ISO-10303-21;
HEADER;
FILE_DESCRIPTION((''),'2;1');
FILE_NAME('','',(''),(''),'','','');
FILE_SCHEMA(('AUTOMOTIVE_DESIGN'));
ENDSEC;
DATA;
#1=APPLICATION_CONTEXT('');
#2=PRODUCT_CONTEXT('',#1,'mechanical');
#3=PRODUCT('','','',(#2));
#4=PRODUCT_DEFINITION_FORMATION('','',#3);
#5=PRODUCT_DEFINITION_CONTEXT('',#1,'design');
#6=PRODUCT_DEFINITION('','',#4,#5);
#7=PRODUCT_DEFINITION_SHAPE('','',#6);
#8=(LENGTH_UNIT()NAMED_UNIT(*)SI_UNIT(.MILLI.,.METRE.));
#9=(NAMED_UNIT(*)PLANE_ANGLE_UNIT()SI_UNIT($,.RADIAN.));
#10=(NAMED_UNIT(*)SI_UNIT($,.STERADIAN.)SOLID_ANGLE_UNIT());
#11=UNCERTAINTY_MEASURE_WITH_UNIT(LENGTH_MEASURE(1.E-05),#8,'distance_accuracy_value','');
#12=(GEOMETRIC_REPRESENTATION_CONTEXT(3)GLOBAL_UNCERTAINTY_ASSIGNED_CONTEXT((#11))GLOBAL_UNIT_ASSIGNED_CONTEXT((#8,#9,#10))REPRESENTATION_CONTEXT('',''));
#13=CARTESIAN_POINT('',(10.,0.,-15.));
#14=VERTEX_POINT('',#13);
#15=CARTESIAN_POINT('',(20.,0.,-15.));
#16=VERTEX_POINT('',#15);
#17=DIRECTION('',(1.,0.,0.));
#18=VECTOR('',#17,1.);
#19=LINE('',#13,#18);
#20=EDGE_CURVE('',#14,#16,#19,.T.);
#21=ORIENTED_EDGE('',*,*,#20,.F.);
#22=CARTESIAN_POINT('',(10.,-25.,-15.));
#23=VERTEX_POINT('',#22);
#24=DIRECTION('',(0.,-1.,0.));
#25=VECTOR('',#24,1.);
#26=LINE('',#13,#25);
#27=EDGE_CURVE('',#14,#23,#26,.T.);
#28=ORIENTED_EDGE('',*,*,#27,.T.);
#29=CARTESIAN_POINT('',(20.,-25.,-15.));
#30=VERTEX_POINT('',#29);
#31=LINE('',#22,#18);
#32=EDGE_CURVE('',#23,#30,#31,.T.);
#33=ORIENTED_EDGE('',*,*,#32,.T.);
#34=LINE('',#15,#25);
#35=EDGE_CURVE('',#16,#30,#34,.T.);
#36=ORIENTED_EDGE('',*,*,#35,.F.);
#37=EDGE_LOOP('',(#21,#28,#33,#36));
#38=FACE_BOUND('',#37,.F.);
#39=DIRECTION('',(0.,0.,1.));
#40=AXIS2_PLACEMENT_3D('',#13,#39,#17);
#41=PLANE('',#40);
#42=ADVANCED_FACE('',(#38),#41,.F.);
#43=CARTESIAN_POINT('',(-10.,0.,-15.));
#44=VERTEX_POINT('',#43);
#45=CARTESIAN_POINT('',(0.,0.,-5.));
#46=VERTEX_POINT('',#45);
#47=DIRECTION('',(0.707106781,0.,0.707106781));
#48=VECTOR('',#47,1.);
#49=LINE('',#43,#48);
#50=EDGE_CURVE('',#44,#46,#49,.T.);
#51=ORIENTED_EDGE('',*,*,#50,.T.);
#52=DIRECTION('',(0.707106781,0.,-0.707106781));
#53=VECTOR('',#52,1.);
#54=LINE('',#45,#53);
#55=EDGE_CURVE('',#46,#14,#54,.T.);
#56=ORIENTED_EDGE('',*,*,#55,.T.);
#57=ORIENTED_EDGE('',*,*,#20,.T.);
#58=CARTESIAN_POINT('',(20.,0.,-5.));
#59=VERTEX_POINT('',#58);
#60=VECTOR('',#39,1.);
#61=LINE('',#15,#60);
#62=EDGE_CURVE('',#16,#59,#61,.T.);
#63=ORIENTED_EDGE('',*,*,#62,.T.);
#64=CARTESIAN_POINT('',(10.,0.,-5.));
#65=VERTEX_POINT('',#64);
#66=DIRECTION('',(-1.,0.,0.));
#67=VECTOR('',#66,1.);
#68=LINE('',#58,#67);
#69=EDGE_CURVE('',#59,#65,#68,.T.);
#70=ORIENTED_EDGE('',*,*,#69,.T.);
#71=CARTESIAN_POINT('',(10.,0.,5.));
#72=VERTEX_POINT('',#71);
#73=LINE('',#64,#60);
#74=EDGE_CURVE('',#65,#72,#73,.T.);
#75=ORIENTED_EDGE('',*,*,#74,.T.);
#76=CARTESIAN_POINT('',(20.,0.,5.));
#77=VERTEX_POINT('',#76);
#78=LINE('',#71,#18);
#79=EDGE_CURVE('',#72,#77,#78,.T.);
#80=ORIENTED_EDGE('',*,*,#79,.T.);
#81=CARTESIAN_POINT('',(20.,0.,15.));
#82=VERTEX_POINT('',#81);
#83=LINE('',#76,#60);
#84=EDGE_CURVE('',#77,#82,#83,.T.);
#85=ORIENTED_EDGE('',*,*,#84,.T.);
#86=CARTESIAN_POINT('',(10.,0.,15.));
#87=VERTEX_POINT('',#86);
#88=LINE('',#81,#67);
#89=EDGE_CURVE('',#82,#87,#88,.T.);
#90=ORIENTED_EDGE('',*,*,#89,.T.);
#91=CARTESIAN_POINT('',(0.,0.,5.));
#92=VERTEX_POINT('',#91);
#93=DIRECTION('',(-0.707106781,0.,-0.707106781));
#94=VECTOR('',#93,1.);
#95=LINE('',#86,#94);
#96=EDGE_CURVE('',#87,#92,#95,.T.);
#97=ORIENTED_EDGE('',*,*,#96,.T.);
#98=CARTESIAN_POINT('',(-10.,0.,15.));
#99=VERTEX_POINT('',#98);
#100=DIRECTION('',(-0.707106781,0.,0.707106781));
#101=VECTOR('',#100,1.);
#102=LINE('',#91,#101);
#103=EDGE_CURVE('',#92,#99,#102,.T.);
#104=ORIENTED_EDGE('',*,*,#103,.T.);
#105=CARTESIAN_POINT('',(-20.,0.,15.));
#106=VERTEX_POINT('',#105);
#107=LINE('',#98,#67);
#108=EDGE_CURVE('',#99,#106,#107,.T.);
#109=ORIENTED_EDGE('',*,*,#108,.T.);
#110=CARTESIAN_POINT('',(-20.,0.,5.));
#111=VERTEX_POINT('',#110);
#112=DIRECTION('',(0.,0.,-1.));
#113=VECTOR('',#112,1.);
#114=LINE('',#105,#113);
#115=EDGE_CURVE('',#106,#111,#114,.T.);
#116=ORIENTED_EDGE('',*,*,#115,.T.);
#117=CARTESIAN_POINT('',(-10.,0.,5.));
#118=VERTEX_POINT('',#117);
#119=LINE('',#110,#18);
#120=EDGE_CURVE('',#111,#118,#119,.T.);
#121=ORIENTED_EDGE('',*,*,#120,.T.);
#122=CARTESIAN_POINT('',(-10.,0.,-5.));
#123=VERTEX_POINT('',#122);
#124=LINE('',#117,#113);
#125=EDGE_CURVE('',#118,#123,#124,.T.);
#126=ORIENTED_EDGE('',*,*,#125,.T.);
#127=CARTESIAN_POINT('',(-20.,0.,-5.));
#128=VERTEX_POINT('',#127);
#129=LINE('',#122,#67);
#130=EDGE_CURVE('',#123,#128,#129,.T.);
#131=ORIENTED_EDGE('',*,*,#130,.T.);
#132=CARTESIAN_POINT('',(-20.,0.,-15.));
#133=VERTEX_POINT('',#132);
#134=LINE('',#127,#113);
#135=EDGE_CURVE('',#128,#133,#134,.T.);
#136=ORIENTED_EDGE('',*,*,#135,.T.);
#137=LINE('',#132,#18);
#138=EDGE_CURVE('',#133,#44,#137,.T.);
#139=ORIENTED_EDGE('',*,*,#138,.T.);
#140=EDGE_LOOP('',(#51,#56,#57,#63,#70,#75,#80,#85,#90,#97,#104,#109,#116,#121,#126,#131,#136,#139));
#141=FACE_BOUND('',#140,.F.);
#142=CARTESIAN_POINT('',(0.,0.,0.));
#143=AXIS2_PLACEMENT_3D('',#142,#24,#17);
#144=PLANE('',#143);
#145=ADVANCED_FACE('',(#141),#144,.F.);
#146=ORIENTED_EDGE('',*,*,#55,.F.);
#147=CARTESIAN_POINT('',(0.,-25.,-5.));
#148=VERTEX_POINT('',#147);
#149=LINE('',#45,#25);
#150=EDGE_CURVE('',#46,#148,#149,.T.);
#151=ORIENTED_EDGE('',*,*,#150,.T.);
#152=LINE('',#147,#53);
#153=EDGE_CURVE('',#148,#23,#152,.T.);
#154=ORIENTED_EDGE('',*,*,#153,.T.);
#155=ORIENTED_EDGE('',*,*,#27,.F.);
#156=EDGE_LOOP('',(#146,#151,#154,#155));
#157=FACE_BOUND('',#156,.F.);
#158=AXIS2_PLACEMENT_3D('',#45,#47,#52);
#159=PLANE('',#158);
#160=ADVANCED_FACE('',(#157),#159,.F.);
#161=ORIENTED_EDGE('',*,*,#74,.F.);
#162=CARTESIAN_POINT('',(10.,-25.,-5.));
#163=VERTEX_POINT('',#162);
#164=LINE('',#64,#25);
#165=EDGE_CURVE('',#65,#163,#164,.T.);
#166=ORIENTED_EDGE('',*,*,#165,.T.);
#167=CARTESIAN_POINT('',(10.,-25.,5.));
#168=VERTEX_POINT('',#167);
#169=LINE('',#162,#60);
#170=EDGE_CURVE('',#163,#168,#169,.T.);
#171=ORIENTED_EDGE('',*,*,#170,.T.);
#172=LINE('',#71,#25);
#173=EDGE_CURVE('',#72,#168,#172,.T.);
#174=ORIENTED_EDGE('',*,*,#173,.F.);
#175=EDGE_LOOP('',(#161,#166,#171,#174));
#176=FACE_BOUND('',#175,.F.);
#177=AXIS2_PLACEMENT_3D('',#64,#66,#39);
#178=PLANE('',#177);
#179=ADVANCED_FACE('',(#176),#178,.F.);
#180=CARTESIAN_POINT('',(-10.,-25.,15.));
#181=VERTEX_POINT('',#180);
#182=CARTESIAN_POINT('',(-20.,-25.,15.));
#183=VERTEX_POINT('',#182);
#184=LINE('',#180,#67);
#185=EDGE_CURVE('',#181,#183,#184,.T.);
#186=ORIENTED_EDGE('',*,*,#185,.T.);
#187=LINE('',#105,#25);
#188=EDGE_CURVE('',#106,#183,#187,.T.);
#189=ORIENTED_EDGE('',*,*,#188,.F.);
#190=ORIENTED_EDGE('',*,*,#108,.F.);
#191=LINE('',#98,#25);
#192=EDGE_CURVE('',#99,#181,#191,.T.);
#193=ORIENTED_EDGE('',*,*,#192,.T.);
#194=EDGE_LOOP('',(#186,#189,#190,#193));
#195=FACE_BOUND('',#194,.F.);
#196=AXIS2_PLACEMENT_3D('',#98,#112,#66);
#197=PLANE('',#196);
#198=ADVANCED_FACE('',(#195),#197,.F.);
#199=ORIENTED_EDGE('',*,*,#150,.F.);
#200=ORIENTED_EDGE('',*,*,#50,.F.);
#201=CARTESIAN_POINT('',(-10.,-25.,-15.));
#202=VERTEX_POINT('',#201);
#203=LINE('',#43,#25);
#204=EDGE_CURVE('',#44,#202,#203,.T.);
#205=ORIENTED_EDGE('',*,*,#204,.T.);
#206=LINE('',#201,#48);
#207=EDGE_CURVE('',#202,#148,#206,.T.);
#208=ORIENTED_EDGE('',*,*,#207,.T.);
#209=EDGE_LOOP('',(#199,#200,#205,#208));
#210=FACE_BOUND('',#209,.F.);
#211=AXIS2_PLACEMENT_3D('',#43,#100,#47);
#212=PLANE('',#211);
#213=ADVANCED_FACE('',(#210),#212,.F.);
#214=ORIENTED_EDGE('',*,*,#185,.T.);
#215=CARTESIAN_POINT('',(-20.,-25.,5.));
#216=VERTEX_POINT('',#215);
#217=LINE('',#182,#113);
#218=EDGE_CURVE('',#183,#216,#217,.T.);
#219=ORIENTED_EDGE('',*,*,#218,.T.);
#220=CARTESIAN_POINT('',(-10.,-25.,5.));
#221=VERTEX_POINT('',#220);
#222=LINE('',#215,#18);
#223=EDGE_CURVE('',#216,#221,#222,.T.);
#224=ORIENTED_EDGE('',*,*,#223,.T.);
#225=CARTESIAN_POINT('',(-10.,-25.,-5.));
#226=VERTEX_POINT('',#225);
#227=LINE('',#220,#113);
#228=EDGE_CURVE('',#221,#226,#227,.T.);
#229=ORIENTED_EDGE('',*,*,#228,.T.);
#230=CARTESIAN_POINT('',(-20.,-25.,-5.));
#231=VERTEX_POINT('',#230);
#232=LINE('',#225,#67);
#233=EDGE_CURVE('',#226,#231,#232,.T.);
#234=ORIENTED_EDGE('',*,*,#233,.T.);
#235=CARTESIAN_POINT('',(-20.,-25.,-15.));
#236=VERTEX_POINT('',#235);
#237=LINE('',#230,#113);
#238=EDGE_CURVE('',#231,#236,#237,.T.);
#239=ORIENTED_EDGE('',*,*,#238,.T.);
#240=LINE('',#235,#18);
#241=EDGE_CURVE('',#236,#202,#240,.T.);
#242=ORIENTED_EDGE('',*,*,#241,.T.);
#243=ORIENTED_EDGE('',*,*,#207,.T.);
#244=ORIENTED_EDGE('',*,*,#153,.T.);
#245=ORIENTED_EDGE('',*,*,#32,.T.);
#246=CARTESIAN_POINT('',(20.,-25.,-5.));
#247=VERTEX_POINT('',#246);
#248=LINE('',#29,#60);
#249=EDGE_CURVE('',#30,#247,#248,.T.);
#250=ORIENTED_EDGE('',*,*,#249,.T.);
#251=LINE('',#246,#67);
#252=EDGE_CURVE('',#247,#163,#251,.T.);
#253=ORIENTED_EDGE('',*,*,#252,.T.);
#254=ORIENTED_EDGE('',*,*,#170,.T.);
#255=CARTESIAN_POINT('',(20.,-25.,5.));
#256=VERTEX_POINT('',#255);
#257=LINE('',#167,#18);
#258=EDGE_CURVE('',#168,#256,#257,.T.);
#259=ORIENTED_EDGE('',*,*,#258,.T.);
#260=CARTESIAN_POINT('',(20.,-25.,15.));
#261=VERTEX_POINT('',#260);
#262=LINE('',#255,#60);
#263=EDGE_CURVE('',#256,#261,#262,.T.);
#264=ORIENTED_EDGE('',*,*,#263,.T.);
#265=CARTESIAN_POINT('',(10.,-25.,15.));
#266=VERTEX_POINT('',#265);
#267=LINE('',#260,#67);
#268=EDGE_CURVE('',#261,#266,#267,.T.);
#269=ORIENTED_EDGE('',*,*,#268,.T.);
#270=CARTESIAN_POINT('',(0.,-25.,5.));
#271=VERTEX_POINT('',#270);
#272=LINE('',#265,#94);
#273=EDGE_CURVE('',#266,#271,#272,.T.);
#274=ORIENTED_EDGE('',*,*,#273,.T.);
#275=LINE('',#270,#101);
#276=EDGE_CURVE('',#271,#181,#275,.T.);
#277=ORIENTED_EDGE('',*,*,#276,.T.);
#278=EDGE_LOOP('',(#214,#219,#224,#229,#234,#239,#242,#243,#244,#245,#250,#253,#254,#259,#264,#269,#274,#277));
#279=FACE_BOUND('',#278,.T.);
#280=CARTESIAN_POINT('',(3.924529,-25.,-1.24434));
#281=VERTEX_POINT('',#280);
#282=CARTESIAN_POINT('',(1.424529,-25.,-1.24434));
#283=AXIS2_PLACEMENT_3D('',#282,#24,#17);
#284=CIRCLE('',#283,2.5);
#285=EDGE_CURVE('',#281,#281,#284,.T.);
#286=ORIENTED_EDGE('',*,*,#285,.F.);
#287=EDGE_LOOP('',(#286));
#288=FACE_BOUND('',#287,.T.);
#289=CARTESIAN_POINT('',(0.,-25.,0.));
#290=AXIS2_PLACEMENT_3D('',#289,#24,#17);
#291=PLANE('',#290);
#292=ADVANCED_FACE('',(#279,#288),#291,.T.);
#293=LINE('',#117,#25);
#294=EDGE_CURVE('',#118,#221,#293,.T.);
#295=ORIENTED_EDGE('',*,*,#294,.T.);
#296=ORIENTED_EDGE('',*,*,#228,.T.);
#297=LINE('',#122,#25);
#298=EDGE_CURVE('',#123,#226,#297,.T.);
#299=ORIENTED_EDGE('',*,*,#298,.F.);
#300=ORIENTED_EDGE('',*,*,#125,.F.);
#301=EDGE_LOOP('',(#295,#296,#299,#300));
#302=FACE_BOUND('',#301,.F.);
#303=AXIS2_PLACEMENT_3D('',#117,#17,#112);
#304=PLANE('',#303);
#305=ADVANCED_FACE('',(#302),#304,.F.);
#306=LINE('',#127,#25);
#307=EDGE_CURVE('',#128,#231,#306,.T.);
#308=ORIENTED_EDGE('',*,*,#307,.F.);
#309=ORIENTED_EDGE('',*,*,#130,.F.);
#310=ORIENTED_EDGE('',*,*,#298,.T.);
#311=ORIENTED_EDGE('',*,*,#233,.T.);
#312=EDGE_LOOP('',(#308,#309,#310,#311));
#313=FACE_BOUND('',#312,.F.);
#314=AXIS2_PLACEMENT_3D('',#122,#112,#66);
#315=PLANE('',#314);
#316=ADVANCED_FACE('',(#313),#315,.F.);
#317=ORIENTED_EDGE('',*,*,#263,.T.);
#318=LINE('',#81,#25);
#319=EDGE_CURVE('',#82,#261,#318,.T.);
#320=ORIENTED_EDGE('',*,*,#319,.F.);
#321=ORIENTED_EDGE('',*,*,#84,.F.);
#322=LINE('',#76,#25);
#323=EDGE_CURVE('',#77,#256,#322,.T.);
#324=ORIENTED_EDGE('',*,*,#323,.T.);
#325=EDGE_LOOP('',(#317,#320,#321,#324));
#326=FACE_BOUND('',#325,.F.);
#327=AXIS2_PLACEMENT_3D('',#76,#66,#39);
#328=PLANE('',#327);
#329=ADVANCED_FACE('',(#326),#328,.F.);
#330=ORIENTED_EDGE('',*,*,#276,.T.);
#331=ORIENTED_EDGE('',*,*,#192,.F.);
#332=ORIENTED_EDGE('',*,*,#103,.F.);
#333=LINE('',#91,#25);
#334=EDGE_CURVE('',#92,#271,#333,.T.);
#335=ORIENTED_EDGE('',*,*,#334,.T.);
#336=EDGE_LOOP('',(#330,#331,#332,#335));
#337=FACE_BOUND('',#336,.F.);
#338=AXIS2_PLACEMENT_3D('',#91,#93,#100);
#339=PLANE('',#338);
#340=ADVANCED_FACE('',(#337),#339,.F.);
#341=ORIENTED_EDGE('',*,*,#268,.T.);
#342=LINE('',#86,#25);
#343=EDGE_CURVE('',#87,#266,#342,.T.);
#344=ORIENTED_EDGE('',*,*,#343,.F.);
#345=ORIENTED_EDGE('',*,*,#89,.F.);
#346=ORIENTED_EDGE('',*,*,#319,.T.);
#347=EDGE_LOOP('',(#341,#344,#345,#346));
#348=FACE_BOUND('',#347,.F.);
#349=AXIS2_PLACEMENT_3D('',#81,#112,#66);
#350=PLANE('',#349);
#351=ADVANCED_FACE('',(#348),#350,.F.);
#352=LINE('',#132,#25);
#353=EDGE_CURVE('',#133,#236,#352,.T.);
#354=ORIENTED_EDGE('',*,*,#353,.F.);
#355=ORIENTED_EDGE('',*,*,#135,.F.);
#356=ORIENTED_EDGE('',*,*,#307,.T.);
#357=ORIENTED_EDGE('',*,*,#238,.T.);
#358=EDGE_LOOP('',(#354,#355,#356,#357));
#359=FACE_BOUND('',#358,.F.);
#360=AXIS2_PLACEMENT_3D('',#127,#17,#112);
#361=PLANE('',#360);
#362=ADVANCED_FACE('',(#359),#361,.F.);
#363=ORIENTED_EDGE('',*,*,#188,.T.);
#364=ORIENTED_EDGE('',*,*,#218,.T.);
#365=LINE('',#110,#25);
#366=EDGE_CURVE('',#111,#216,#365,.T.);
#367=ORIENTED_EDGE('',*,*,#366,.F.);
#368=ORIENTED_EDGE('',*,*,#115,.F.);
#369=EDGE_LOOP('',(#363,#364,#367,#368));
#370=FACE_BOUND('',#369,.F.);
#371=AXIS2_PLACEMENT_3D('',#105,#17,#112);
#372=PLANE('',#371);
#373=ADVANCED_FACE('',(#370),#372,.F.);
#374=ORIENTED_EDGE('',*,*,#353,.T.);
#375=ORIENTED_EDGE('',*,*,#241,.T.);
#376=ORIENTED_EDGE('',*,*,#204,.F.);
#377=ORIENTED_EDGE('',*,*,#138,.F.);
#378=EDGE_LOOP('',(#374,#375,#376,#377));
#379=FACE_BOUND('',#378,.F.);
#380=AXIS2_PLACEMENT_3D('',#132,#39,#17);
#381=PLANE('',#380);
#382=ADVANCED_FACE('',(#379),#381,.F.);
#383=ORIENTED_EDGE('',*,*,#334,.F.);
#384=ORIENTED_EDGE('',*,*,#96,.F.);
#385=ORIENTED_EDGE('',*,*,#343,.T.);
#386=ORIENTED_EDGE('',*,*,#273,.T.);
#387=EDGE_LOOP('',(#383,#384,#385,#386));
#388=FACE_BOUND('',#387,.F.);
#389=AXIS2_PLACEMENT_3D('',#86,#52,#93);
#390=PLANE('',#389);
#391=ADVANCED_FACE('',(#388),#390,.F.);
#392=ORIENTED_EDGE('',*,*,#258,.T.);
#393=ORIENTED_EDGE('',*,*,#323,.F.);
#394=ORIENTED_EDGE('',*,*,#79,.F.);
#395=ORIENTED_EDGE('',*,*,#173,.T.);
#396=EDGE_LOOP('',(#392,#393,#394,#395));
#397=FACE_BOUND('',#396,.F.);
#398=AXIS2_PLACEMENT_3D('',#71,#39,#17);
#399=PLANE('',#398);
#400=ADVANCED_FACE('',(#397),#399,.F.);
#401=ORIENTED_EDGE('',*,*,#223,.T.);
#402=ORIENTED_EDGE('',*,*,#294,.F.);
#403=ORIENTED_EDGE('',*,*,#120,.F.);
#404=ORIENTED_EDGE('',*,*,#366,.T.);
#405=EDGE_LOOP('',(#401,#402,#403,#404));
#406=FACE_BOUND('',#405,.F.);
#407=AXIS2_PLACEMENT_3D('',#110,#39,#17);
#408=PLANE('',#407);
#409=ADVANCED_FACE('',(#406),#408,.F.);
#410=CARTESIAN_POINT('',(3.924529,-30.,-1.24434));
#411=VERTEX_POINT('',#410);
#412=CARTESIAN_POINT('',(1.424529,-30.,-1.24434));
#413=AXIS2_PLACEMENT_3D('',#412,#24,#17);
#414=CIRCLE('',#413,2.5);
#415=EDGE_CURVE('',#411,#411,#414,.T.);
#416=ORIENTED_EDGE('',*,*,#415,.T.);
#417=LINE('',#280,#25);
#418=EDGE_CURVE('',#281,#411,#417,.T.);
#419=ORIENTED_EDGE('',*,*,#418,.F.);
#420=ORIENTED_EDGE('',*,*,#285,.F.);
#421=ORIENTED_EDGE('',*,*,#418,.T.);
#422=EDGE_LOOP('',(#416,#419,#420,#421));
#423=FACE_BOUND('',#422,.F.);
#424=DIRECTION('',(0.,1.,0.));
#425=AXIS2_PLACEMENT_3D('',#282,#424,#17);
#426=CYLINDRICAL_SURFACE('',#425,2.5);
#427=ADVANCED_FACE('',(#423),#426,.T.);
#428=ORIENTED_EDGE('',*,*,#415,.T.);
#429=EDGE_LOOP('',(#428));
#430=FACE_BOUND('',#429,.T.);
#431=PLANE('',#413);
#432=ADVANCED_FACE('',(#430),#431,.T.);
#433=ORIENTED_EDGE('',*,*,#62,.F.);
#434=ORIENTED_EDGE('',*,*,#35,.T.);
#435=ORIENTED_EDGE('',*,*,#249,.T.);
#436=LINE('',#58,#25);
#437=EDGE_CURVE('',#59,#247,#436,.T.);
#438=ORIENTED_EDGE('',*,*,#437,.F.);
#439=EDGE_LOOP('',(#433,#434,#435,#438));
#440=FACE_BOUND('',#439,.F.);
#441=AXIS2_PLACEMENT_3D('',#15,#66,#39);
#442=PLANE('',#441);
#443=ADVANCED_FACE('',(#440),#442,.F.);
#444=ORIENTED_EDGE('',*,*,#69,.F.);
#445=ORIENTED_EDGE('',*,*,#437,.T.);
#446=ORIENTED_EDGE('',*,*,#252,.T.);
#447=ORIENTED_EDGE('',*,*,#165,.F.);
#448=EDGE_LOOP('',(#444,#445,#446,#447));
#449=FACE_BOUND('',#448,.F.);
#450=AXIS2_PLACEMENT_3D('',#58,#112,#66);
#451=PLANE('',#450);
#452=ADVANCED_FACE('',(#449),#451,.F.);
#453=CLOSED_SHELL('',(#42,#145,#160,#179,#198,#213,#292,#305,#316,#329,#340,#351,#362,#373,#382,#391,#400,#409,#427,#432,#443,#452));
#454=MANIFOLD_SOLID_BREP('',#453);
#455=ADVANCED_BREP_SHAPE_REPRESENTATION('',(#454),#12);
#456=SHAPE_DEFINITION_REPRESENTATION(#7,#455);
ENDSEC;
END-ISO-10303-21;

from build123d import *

# Parameters (mm, degrees)
F1_DEPTH = 25
F3_R     = 2.5
F4_DEPTH = 5


with BuildPart() as f1:
    # F0 (on Front) → F1 (new body)
    with BuildSketch(Plane.XZ):
        Polygon((-10, 5), (-10, 0), (-10, -5), (-20, -5), (-20, -15), (-10, -15), (0, -5), (10, -15), (20, -15), (20, -5), (10, -5), (10, 0), (10, 5), (20, 5), (20, 15), (10, 15), (0, 5), (-10, 15), (-20, 15), (-20, 5), align=None)
    extrude(amount=F1_DEPTH)

    # F3 (on face) → F4 (join)
    with BuildSketch(Plane.XZ.offset(25)):
        with Locations((1.424529, -1.24434)):
            Circle(F3_R)
    extrude(amount=F4_DEPTH)


solid = f1.part
